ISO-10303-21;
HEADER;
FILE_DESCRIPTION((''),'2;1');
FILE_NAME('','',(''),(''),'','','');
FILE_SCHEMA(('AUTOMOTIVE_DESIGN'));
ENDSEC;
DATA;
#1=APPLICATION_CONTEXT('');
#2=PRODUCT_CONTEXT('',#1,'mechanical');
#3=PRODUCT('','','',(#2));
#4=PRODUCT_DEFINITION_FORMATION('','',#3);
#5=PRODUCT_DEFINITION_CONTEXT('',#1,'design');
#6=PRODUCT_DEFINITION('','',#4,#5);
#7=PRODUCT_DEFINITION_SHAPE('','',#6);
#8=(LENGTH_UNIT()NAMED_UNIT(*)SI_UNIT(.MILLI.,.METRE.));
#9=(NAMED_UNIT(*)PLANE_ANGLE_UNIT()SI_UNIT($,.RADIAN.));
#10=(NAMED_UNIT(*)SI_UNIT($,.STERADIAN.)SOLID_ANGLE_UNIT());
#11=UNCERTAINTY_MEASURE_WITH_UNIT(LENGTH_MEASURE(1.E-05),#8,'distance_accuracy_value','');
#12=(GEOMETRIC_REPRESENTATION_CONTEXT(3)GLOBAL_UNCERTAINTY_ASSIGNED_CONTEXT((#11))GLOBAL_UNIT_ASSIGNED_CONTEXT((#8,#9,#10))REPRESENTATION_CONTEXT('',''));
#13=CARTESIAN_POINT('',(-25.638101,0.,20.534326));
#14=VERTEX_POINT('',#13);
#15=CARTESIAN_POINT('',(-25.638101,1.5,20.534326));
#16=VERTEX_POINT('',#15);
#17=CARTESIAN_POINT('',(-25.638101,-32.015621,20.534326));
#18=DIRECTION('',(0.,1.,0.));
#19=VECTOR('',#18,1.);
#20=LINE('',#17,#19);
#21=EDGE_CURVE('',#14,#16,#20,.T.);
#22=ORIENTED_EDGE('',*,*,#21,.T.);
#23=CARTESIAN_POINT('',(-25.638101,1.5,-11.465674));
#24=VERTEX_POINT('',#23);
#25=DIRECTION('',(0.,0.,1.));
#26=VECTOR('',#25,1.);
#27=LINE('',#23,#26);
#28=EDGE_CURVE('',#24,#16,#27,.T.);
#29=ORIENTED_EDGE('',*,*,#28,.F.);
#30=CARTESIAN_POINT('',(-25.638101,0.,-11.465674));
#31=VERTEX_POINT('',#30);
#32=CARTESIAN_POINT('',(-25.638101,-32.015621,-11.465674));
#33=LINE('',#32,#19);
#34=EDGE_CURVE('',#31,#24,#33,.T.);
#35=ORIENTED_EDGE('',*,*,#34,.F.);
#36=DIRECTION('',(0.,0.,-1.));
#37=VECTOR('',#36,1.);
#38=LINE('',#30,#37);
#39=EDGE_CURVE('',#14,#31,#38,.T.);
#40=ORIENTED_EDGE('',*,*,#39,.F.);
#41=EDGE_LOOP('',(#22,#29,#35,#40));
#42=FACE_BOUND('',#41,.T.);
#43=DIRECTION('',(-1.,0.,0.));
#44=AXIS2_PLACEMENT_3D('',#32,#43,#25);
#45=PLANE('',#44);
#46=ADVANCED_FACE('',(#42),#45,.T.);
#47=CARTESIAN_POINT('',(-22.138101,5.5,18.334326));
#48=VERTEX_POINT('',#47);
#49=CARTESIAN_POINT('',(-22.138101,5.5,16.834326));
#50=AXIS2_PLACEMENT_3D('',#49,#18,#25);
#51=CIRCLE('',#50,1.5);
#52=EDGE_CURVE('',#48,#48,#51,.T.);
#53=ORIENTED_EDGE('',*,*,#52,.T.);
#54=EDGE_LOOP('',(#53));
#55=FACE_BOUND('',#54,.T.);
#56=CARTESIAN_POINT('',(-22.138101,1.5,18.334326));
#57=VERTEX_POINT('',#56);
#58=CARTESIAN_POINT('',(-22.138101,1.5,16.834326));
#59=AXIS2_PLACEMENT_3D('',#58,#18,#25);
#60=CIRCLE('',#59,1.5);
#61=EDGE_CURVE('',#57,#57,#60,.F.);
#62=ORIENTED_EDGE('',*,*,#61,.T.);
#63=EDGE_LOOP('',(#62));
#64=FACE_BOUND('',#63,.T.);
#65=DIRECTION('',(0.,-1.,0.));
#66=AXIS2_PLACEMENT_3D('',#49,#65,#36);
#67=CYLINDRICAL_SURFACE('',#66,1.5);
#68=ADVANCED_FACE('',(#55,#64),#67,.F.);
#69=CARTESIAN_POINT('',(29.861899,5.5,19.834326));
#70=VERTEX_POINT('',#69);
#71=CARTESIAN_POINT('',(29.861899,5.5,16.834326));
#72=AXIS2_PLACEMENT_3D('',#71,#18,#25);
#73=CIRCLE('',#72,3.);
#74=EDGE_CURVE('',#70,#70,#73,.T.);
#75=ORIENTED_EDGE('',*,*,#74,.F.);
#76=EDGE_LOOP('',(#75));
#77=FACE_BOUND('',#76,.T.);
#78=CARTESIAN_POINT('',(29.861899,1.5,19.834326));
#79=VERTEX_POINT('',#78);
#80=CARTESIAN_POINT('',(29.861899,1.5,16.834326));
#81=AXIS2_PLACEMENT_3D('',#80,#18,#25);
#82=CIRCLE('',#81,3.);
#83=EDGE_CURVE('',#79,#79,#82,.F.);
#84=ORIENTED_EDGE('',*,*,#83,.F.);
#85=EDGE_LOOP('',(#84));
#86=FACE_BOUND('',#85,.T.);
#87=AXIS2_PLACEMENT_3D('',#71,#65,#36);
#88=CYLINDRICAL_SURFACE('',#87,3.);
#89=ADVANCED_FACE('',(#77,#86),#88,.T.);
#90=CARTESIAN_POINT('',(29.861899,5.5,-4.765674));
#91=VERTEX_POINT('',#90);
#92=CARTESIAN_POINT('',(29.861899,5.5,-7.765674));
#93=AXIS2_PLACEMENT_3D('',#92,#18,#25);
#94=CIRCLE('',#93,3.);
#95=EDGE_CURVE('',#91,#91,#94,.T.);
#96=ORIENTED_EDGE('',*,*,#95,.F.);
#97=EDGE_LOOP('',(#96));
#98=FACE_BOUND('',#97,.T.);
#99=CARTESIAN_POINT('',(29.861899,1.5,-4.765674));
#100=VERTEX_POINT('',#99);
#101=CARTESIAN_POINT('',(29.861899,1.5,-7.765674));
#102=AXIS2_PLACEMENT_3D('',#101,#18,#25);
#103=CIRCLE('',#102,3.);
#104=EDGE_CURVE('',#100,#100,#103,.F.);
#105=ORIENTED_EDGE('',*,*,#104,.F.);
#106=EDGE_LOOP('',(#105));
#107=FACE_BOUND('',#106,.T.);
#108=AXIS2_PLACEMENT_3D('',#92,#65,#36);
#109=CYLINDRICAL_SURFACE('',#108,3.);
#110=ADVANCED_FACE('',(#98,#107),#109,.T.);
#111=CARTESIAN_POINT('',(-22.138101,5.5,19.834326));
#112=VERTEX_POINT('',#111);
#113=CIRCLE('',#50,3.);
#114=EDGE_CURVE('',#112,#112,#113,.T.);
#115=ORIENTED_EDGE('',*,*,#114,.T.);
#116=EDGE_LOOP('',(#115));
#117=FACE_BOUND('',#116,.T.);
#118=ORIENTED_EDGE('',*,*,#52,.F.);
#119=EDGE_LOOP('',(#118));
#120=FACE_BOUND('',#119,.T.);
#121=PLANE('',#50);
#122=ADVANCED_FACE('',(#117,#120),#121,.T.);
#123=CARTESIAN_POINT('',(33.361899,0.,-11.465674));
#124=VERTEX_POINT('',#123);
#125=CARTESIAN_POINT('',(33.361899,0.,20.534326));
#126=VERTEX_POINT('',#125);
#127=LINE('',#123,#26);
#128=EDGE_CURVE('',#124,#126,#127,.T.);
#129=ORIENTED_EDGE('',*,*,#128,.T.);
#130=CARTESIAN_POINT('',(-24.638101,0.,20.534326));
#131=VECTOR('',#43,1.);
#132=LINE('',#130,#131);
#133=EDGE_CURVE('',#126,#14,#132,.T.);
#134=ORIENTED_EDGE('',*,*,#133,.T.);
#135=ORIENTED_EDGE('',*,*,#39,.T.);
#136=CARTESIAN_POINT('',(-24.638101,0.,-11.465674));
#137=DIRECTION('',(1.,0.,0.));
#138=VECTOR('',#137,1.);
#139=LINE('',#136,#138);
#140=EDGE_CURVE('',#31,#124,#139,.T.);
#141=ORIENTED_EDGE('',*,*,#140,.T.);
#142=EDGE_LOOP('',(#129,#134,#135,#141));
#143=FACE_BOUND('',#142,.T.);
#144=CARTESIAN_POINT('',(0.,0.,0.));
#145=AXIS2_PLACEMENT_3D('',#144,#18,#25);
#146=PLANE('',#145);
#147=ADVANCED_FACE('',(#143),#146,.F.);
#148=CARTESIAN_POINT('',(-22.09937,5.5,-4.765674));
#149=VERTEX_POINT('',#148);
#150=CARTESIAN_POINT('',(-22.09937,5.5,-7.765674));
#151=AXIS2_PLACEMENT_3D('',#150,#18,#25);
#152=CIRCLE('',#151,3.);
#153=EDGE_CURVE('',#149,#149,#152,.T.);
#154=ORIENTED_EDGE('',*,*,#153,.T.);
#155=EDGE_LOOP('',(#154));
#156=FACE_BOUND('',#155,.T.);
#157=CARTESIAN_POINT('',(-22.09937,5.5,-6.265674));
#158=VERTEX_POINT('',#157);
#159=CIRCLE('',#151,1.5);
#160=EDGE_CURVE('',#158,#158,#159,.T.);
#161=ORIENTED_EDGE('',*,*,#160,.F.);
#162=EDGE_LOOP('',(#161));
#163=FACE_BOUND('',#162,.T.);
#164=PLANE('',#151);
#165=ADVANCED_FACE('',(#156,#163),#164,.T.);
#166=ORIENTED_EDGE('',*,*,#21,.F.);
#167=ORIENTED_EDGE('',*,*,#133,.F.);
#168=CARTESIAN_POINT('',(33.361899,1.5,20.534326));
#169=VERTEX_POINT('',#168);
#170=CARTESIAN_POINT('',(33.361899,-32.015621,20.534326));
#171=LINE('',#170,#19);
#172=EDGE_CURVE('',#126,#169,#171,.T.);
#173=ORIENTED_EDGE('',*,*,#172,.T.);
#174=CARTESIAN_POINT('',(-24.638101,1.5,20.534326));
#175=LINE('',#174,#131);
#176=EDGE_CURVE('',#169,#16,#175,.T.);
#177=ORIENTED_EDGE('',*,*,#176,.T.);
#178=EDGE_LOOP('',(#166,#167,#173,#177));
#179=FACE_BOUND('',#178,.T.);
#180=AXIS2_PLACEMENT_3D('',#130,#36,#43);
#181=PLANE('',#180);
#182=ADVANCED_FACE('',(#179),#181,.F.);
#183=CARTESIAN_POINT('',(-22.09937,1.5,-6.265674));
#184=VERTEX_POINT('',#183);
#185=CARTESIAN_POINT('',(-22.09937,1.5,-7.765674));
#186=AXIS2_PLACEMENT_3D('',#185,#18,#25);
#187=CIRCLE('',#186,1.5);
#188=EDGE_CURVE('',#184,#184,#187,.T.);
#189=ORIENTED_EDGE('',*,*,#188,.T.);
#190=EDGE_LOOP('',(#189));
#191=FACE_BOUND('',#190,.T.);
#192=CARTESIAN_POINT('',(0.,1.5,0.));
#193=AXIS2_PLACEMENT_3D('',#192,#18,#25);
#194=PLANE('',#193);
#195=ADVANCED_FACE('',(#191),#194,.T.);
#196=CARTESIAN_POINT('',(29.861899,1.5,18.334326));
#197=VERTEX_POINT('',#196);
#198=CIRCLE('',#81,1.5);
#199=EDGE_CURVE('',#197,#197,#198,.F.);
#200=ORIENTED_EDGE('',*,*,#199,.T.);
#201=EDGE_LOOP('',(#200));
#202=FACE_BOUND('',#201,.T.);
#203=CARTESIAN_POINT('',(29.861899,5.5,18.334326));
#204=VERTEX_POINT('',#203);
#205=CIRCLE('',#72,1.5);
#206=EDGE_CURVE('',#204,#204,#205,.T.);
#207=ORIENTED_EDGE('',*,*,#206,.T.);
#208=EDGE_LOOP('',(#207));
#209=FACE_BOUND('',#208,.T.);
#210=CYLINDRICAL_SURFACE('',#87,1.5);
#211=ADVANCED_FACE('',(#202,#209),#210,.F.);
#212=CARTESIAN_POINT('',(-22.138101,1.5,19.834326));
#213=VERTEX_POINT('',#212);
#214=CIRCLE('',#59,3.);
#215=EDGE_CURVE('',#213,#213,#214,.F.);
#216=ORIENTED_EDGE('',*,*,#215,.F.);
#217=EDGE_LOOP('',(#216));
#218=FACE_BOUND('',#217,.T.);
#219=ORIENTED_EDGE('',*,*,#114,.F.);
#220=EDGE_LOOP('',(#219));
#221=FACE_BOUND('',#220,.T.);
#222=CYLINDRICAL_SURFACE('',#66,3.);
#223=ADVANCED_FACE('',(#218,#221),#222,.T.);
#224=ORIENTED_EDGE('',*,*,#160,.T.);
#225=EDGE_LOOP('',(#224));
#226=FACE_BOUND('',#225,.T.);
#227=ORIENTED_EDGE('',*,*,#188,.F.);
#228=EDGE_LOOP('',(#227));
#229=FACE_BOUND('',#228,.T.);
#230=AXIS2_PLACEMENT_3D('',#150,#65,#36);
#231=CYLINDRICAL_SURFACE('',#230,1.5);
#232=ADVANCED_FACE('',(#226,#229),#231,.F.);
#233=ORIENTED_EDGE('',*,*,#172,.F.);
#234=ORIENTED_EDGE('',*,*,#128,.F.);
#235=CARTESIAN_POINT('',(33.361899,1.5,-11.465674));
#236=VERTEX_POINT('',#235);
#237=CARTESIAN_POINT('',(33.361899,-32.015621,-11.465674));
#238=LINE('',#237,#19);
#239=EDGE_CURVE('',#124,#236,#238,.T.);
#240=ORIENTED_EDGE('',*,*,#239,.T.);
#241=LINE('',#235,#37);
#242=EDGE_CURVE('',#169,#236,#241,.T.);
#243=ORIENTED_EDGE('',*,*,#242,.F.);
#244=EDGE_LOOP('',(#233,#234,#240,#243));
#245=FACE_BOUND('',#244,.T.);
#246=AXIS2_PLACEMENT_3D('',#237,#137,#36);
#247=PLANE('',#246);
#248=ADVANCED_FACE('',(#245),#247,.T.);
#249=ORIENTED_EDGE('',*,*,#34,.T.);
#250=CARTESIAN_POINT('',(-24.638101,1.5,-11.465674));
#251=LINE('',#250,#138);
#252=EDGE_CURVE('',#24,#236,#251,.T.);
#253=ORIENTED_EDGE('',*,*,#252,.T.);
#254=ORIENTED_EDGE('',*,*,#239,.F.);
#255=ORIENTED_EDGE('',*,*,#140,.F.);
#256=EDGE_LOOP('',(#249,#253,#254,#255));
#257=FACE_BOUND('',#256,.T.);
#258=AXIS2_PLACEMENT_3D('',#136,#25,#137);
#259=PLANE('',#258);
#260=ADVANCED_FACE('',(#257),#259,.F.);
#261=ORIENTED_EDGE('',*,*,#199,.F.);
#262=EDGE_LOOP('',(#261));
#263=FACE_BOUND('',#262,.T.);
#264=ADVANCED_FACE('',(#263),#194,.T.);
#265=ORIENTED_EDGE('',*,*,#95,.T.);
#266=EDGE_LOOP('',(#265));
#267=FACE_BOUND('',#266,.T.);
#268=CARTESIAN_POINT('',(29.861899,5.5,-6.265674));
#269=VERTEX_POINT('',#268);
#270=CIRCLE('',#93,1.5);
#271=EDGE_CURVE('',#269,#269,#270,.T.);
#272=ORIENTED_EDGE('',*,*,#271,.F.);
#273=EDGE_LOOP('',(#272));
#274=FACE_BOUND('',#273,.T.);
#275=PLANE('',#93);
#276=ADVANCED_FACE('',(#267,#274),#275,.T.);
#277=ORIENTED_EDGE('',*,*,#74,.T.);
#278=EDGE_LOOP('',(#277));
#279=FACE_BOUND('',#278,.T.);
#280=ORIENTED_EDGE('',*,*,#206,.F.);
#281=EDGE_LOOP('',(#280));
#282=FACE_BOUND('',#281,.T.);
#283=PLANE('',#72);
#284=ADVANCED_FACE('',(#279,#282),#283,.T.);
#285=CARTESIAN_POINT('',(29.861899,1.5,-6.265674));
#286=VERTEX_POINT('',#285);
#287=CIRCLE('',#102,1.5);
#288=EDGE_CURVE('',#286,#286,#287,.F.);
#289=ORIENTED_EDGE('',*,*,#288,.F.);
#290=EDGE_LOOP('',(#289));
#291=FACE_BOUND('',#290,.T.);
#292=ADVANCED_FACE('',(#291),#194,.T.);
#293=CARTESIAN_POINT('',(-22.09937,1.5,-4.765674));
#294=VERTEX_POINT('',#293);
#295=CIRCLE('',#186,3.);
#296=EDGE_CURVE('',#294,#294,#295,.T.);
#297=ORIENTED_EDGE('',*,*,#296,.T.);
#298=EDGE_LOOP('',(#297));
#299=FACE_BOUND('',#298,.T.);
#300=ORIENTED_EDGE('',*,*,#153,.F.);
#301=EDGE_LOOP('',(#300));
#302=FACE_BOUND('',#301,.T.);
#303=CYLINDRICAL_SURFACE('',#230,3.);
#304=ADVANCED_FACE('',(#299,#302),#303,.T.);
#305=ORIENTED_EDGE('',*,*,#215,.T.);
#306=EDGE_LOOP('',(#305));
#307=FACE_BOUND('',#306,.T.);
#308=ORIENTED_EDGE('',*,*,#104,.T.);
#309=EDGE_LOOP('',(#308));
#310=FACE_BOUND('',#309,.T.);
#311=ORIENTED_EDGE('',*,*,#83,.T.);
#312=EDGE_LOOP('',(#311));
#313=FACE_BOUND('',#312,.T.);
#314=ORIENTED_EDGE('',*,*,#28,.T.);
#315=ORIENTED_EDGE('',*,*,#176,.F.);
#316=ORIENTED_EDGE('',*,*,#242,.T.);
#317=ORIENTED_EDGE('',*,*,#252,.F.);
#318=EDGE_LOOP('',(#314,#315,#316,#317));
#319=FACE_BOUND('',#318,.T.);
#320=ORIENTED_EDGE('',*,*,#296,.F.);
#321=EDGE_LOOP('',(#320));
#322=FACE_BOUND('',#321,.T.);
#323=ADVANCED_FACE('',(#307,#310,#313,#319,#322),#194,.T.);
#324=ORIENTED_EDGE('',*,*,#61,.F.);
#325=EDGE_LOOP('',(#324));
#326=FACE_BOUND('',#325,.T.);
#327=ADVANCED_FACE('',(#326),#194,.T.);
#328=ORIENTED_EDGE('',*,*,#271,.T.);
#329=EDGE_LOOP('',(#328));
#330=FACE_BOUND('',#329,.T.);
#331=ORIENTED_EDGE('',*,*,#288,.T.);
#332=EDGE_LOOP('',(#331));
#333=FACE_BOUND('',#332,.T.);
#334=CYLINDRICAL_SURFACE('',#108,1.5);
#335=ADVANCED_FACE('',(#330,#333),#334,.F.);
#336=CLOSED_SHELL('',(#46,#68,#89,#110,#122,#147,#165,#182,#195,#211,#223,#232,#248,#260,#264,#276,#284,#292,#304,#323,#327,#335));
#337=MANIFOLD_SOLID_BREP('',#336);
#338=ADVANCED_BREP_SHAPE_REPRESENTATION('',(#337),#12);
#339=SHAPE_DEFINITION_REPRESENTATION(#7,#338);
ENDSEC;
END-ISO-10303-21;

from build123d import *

# Parameters (mm, degrees)
SKETCH_2_W          = 57
SKETCH_2_H          = 40.4
EXTRUDE_1_DEPTH     = 1.5
SKETCH_4_R          = 3
SKETCH_4_R_2        = 1.5
EXTRUDE_3_DEPTH     = 4
SKETCH_5_W          = 57
SKETCH_5_H          = 4.2
CUT_EXTRUDE_1_DEPTH = 2.5
SKETCH_6_W          = 1
SKETCH_6_H          = 32
EXTRUDE_4_DEPTH     = 1.5


with BuildPart() as part:
    # 草图2 → 凸台-拉伸1 (new body)
    with BuildSketch(Plane(origin=(0, 0, 0), x_dir=(1, 0, 0), z_dir=(0, 1, 0))):
        with Locations((3.861898857, -4.534326193)):
            Rectangle(SKETCH_2_W, SKETCH_2_H)
    extrude(amount=EXTRUDE_1_DEPTH)

    # 草图4 → 凸台-拉伸3 (add)
    with BuildSketch(Plane(origin=(0, 1.5, 0), x_dir=(1, 0, 0), z_dir=(0, 1, 0))):
        with Locations((-22.099370277, 7.765673807)):
            Circle(SKETCH_4_R)
        with Locations((-22.099370277, 7.765673807)):
            Circle(SKETCH_4_R_2, mode=Mode.SUBTRACT)
        with Locations((-22.138101143, -16.834326193)):
            Circle(SKETCH_4_R)
        with Locations((-22.138101143, -16.834326193)):
            Circle(SKETCH_4_R_2, mode=Mode.SUBTRACT)
        with Locations((29.861898857, -16.834326193)):
            Circle(SKETCH_4_R)
        with Locations((29.861898857, -16.834326193)):
            Circle(SKETCH_4_R_2, mode=Mode.SUBTRACT)
        with Locations((29.861898857, 7.765673807)):
            Circle(SKETCH_4_R)
        with Locations((29.861898857, 7.765673807)):
            Circle(SKETCH_4_R_2, mode=Mode.SUBTRACT)
    extrude(amount=EXTRUDE_3_DEPTH)

    # 草图5 → 切除-拉伸1 (cut, through all)
    with BuildSketch(Plane(origin=(0, 1.5, 0), x_dir=(1, 0, 0), z_dir=(0, 1, 0))):
        with Locations((3.861898857, 13.565673807)):
            Rectangle(SKETCH_5_W, SKETCH_5_H)
        with Locations((3.861898857, -22.634326193)):
            Rectangle(SKETCH_5_W, SKETCH_5_H)
    extrude(amount=-CUT_EXTRUDE_1_DEPTH, mode=Mode.SUBTRACT)

    # 草图6 → 凸台-拉伸4 (add)
    with BuildSketch(Plane(origin=(0, 1.5, 0), x_dir=(1, 0, 0), z_dir=(0, 1, 0))):
        with Locations((-25.138101143, -4.534326193)):
            Rectangle(SKETCH_6_W, SKETCH_6_H)
        with Locations((32.861898857, -4.534326193)):
            Rectangle(SKETCH_6_W, SKETCH_6_H)
    extrude(amount=-EXTRUDE_4_DEPTH)


solid = part.part
